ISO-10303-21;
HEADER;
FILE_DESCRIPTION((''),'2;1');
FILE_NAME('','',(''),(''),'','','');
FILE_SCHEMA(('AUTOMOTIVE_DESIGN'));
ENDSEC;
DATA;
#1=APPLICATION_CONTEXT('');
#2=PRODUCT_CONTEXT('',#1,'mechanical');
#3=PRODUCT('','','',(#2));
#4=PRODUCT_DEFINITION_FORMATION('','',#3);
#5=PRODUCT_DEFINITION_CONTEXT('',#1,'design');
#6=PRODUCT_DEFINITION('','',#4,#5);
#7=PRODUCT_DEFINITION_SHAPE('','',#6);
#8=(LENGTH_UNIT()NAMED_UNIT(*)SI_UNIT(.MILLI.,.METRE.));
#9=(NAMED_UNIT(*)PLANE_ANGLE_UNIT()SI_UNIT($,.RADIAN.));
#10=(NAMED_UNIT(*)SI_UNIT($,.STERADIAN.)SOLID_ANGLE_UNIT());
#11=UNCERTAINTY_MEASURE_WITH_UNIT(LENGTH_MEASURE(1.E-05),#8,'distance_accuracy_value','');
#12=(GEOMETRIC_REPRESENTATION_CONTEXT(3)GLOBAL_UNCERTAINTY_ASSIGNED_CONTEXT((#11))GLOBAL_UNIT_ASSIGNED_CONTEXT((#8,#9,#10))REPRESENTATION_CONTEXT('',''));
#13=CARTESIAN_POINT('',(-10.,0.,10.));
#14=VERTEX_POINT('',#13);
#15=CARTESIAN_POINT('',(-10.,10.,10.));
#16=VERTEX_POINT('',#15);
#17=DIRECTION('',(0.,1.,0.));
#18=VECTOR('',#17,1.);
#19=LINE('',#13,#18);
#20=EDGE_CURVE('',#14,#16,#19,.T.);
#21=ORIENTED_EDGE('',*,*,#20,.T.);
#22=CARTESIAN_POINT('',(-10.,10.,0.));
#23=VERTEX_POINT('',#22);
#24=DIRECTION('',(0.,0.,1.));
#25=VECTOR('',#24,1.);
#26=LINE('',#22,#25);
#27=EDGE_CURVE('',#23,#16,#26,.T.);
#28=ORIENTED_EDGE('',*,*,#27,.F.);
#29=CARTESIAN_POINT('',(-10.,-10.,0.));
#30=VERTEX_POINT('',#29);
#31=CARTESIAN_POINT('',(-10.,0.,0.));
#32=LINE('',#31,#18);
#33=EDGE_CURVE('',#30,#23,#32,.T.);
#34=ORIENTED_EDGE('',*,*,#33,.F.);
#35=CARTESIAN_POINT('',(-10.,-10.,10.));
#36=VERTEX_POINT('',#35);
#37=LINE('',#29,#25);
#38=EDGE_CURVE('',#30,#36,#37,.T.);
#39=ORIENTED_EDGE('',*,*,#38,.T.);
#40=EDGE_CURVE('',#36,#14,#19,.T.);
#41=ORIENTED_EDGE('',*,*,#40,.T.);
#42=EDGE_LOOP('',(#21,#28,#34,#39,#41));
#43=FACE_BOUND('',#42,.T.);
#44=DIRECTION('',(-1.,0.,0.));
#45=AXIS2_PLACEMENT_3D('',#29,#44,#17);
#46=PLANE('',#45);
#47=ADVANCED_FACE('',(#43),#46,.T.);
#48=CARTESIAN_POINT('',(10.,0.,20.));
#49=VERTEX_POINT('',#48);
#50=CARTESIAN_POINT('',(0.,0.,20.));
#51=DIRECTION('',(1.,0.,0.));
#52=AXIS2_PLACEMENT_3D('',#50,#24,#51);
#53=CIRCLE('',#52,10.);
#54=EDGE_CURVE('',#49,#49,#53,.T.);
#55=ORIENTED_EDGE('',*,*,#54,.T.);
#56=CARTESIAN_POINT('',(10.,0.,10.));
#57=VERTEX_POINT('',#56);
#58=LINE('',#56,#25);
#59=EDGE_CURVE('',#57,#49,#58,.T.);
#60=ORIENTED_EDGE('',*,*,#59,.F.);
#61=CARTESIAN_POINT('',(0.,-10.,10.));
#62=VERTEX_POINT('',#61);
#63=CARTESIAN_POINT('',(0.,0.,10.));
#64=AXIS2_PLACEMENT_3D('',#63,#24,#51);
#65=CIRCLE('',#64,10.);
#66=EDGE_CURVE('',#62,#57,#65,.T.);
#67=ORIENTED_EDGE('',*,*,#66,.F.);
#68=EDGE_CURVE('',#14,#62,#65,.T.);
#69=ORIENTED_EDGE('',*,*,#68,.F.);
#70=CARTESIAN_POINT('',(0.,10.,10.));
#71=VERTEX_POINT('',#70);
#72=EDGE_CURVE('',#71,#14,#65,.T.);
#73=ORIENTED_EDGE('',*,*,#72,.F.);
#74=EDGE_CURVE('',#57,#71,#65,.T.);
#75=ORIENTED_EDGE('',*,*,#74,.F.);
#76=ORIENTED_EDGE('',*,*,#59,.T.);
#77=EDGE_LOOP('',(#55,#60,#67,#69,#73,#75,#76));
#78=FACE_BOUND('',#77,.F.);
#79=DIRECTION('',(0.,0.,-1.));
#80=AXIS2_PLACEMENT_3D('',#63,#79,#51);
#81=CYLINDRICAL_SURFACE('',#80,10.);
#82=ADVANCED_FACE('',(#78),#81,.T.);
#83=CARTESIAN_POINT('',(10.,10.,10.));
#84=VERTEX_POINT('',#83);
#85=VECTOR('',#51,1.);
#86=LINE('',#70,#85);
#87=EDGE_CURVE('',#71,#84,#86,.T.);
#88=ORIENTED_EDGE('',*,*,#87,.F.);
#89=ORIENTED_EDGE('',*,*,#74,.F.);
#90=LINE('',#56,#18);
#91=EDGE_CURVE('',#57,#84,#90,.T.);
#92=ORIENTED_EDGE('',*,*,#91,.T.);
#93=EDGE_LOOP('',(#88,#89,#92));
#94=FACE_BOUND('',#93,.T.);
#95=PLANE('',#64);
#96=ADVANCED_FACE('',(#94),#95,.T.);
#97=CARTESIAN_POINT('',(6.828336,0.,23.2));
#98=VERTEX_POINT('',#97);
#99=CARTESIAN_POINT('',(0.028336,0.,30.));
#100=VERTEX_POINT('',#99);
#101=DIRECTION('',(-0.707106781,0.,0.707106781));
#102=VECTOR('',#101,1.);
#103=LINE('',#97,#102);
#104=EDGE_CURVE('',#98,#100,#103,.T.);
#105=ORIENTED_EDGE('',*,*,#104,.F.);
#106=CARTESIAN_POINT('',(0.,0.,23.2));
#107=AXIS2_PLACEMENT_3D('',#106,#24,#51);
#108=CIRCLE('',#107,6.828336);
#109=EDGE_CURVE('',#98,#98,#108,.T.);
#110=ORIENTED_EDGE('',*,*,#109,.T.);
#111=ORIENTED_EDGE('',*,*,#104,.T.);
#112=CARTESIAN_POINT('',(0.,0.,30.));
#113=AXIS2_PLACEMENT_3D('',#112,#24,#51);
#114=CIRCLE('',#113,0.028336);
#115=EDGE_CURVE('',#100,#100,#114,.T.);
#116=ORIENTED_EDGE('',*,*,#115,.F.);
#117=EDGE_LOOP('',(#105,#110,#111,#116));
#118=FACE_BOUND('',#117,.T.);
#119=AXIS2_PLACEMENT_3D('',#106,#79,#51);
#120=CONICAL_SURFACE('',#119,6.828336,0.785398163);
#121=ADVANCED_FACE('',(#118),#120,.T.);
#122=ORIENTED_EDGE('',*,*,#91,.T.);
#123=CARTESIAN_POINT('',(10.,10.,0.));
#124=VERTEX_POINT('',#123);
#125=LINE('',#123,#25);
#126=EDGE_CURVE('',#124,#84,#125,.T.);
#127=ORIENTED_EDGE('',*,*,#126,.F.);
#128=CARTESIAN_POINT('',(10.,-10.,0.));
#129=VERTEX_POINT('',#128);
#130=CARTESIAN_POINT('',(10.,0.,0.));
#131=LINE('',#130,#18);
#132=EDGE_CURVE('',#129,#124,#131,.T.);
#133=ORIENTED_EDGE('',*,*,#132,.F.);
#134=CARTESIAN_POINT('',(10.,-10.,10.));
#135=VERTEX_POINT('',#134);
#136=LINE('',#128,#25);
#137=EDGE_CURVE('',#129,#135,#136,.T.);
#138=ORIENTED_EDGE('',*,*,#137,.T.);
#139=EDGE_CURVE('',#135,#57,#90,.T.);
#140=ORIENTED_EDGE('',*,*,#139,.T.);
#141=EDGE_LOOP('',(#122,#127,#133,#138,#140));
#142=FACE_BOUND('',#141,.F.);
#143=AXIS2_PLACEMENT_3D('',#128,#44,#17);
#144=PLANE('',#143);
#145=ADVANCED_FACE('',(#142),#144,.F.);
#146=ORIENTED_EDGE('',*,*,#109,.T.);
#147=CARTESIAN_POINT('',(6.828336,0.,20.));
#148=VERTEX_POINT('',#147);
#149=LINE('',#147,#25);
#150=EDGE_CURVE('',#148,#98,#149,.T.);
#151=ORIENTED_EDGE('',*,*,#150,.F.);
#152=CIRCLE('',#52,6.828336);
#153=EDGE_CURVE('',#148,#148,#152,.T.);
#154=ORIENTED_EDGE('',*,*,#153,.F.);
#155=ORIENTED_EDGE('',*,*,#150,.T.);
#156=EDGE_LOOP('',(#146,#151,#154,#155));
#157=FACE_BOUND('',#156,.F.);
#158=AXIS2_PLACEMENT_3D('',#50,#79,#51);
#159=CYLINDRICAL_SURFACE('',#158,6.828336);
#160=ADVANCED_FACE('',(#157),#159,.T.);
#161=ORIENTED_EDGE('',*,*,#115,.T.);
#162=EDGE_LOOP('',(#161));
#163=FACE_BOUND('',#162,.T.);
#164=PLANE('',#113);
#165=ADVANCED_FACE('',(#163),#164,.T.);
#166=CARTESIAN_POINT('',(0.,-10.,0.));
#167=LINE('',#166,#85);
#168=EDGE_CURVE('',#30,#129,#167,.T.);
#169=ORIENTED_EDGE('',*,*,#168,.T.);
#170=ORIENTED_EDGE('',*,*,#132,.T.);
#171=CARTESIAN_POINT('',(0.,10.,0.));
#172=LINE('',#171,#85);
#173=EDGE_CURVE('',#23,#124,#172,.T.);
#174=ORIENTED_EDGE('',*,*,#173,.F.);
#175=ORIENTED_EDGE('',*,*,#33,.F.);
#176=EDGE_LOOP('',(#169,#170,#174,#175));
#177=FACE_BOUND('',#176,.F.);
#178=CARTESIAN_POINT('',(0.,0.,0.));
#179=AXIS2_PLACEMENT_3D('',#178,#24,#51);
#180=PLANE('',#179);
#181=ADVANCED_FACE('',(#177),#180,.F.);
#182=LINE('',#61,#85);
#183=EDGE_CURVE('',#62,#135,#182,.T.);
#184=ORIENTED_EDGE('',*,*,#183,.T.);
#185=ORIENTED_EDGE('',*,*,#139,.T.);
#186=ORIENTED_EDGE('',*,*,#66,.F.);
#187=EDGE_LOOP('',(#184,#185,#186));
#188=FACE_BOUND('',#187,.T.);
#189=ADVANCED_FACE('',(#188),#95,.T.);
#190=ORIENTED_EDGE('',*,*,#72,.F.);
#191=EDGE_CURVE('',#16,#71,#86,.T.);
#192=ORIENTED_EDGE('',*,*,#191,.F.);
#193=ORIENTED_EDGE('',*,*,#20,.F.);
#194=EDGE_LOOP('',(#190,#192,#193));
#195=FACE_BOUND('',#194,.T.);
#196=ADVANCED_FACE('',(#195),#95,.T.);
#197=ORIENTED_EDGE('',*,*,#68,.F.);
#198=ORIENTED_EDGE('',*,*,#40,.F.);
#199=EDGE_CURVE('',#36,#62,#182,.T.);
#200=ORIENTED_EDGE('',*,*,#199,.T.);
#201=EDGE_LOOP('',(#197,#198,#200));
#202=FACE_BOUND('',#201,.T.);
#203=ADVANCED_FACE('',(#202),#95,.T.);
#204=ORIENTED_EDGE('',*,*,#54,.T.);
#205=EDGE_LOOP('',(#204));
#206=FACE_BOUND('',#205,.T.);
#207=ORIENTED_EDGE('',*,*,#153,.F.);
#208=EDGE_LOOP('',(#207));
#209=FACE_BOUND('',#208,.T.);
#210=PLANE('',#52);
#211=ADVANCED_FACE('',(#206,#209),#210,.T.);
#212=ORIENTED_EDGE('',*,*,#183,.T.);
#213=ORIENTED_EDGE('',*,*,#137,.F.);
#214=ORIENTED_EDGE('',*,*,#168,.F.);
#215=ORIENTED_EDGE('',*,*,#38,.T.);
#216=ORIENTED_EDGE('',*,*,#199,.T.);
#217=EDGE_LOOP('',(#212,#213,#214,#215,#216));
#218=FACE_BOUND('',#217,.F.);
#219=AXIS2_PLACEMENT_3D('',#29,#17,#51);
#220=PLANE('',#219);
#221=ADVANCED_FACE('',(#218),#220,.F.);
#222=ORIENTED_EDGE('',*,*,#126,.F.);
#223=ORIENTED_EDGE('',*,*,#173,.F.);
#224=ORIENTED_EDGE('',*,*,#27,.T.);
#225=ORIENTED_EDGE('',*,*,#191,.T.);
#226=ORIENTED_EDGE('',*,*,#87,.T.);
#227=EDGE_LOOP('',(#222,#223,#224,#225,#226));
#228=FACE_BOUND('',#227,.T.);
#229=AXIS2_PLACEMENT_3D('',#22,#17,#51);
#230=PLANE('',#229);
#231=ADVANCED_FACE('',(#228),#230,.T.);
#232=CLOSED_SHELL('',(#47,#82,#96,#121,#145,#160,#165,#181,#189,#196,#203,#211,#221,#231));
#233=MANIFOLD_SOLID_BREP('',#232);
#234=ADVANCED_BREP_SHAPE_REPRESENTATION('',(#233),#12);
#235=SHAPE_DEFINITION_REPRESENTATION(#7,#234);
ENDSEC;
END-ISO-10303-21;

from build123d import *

# Parameters (mm, degrees)
F0_W     = 20
F0_H     = 20
F1_DEPTH = 10
F2_R     = 10
F3_DEPTH = 10
F4_R     = 6.828336
F5_DEPTH = 10
F6_SIZE  = 6.8


with BuildPart() as f1:
    # F0 (on Top) → F1 (new body)
    with BuildSketch(Plane.XY):
        Rectangle(F0_W, F0_H)
    extrude(amount=F1_DEPTH)

    # F2 (on face) → F3 (join)
    with BuildSketch(Plane.XY.offset(10)):
        Circle(F2_R)
    extrude(amount=F3_DEPTH)

    # F4 (on face) → F5 (join)
    with BuildSketch(Plane.XY.offset(20)):
        Circle(F4_R)
    extrude(amount=F5_DEPTH)

    # F6
    f6_edges = [f1.edges().sort_by_distance(p)[0] for p in [
        (-6.828336, 0, 30),
    ]]
    chamfer(f6_edges, length=F6_SIZE)


solid = f1.part
